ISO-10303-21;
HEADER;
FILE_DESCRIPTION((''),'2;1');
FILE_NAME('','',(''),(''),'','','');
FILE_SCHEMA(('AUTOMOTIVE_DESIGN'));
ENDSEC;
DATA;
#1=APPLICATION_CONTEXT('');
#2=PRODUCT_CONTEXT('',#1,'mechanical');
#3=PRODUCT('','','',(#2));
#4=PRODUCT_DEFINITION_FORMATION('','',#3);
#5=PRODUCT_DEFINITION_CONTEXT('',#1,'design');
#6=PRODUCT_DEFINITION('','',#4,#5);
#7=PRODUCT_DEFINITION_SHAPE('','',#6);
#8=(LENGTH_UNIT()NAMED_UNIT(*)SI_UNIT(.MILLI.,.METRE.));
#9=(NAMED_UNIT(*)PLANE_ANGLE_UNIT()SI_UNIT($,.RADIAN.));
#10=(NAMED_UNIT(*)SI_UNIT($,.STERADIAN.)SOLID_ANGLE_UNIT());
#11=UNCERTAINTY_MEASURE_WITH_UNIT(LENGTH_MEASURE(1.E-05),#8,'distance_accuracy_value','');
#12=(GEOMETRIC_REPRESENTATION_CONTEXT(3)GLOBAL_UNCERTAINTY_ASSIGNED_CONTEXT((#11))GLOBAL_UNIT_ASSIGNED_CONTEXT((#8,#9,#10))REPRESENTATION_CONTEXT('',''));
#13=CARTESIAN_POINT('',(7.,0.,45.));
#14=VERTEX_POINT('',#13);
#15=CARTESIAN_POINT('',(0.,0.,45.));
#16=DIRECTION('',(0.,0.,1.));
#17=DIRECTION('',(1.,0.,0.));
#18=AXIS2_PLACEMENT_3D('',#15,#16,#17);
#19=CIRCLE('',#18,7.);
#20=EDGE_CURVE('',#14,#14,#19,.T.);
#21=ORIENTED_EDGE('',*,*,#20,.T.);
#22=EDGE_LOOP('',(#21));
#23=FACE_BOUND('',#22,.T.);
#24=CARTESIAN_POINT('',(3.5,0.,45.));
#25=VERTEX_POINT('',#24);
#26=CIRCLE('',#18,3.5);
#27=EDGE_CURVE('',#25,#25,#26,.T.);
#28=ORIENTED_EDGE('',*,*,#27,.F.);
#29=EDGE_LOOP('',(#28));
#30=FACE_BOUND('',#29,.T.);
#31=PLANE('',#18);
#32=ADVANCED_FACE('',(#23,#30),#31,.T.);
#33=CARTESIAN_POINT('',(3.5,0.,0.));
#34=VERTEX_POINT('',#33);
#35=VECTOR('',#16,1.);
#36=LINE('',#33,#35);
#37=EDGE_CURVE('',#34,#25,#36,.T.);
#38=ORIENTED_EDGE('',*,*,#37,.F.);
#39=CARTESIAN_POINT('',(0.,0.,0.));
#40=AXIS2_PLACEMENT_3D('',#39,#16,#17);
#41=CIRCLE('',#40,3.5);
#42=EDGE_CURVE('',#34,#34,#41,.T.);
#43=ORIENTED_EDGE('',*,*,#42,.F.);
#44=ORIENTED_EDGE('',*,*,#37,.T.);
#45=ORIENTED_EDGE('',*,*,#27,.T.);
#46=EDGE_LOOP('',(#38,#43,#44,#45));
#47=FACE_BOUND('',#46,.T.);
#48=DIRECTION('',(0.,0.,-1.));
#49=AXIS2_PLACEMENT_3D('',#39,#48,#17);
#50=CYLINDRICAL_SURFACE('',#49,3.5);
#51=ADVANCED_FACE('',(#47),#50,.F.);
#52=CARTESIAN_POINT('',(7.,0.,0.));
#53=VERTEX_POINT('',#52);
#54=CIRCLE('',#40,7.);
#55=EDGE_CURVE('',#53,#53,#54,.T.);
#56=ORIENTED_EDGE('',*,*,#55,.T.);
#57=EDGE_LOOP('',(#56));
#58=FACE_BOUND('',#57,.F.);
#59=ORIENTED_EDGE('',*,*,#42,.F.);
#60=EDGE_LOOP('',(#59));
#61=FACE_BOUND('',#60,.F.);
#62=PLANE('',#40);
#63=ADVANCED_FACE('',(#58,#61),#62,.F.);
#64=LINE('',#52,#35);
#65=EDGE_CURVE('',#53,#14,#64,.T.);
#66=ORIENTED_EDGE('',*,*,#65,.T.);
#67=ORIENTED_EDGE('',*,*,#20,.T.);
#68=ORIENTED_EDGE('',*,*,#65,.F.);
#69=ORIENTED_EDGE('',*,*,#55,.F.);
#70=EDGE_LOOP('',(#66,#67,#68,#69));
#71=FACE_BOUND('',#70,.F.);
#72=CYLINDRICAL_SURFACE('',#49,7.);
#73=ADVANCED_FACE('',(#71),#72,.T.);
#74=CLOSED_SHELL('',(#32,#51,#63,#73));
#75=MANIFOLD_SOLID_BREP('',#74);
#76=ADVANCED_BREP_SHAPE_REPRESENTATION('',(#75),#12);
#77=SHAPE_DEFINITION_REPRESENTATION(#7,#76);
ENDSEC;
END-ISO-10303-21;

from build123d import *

# Parameters (mm, degrees)
SKETCH_R   = 7
SKETCH_R_2 = 3.5
PAD_DEPTH  = 45


with BuildPart() as part:
    # Sketch → Pad (new body)
    with BuildSketch(Plane.XY):
        Circle(SKETCH_R)
        Circle(SKETCH_R_2, mode=Mode.SUBTRACT)
    extrude(amount=PAD_DEPTH)


solid = part.part
